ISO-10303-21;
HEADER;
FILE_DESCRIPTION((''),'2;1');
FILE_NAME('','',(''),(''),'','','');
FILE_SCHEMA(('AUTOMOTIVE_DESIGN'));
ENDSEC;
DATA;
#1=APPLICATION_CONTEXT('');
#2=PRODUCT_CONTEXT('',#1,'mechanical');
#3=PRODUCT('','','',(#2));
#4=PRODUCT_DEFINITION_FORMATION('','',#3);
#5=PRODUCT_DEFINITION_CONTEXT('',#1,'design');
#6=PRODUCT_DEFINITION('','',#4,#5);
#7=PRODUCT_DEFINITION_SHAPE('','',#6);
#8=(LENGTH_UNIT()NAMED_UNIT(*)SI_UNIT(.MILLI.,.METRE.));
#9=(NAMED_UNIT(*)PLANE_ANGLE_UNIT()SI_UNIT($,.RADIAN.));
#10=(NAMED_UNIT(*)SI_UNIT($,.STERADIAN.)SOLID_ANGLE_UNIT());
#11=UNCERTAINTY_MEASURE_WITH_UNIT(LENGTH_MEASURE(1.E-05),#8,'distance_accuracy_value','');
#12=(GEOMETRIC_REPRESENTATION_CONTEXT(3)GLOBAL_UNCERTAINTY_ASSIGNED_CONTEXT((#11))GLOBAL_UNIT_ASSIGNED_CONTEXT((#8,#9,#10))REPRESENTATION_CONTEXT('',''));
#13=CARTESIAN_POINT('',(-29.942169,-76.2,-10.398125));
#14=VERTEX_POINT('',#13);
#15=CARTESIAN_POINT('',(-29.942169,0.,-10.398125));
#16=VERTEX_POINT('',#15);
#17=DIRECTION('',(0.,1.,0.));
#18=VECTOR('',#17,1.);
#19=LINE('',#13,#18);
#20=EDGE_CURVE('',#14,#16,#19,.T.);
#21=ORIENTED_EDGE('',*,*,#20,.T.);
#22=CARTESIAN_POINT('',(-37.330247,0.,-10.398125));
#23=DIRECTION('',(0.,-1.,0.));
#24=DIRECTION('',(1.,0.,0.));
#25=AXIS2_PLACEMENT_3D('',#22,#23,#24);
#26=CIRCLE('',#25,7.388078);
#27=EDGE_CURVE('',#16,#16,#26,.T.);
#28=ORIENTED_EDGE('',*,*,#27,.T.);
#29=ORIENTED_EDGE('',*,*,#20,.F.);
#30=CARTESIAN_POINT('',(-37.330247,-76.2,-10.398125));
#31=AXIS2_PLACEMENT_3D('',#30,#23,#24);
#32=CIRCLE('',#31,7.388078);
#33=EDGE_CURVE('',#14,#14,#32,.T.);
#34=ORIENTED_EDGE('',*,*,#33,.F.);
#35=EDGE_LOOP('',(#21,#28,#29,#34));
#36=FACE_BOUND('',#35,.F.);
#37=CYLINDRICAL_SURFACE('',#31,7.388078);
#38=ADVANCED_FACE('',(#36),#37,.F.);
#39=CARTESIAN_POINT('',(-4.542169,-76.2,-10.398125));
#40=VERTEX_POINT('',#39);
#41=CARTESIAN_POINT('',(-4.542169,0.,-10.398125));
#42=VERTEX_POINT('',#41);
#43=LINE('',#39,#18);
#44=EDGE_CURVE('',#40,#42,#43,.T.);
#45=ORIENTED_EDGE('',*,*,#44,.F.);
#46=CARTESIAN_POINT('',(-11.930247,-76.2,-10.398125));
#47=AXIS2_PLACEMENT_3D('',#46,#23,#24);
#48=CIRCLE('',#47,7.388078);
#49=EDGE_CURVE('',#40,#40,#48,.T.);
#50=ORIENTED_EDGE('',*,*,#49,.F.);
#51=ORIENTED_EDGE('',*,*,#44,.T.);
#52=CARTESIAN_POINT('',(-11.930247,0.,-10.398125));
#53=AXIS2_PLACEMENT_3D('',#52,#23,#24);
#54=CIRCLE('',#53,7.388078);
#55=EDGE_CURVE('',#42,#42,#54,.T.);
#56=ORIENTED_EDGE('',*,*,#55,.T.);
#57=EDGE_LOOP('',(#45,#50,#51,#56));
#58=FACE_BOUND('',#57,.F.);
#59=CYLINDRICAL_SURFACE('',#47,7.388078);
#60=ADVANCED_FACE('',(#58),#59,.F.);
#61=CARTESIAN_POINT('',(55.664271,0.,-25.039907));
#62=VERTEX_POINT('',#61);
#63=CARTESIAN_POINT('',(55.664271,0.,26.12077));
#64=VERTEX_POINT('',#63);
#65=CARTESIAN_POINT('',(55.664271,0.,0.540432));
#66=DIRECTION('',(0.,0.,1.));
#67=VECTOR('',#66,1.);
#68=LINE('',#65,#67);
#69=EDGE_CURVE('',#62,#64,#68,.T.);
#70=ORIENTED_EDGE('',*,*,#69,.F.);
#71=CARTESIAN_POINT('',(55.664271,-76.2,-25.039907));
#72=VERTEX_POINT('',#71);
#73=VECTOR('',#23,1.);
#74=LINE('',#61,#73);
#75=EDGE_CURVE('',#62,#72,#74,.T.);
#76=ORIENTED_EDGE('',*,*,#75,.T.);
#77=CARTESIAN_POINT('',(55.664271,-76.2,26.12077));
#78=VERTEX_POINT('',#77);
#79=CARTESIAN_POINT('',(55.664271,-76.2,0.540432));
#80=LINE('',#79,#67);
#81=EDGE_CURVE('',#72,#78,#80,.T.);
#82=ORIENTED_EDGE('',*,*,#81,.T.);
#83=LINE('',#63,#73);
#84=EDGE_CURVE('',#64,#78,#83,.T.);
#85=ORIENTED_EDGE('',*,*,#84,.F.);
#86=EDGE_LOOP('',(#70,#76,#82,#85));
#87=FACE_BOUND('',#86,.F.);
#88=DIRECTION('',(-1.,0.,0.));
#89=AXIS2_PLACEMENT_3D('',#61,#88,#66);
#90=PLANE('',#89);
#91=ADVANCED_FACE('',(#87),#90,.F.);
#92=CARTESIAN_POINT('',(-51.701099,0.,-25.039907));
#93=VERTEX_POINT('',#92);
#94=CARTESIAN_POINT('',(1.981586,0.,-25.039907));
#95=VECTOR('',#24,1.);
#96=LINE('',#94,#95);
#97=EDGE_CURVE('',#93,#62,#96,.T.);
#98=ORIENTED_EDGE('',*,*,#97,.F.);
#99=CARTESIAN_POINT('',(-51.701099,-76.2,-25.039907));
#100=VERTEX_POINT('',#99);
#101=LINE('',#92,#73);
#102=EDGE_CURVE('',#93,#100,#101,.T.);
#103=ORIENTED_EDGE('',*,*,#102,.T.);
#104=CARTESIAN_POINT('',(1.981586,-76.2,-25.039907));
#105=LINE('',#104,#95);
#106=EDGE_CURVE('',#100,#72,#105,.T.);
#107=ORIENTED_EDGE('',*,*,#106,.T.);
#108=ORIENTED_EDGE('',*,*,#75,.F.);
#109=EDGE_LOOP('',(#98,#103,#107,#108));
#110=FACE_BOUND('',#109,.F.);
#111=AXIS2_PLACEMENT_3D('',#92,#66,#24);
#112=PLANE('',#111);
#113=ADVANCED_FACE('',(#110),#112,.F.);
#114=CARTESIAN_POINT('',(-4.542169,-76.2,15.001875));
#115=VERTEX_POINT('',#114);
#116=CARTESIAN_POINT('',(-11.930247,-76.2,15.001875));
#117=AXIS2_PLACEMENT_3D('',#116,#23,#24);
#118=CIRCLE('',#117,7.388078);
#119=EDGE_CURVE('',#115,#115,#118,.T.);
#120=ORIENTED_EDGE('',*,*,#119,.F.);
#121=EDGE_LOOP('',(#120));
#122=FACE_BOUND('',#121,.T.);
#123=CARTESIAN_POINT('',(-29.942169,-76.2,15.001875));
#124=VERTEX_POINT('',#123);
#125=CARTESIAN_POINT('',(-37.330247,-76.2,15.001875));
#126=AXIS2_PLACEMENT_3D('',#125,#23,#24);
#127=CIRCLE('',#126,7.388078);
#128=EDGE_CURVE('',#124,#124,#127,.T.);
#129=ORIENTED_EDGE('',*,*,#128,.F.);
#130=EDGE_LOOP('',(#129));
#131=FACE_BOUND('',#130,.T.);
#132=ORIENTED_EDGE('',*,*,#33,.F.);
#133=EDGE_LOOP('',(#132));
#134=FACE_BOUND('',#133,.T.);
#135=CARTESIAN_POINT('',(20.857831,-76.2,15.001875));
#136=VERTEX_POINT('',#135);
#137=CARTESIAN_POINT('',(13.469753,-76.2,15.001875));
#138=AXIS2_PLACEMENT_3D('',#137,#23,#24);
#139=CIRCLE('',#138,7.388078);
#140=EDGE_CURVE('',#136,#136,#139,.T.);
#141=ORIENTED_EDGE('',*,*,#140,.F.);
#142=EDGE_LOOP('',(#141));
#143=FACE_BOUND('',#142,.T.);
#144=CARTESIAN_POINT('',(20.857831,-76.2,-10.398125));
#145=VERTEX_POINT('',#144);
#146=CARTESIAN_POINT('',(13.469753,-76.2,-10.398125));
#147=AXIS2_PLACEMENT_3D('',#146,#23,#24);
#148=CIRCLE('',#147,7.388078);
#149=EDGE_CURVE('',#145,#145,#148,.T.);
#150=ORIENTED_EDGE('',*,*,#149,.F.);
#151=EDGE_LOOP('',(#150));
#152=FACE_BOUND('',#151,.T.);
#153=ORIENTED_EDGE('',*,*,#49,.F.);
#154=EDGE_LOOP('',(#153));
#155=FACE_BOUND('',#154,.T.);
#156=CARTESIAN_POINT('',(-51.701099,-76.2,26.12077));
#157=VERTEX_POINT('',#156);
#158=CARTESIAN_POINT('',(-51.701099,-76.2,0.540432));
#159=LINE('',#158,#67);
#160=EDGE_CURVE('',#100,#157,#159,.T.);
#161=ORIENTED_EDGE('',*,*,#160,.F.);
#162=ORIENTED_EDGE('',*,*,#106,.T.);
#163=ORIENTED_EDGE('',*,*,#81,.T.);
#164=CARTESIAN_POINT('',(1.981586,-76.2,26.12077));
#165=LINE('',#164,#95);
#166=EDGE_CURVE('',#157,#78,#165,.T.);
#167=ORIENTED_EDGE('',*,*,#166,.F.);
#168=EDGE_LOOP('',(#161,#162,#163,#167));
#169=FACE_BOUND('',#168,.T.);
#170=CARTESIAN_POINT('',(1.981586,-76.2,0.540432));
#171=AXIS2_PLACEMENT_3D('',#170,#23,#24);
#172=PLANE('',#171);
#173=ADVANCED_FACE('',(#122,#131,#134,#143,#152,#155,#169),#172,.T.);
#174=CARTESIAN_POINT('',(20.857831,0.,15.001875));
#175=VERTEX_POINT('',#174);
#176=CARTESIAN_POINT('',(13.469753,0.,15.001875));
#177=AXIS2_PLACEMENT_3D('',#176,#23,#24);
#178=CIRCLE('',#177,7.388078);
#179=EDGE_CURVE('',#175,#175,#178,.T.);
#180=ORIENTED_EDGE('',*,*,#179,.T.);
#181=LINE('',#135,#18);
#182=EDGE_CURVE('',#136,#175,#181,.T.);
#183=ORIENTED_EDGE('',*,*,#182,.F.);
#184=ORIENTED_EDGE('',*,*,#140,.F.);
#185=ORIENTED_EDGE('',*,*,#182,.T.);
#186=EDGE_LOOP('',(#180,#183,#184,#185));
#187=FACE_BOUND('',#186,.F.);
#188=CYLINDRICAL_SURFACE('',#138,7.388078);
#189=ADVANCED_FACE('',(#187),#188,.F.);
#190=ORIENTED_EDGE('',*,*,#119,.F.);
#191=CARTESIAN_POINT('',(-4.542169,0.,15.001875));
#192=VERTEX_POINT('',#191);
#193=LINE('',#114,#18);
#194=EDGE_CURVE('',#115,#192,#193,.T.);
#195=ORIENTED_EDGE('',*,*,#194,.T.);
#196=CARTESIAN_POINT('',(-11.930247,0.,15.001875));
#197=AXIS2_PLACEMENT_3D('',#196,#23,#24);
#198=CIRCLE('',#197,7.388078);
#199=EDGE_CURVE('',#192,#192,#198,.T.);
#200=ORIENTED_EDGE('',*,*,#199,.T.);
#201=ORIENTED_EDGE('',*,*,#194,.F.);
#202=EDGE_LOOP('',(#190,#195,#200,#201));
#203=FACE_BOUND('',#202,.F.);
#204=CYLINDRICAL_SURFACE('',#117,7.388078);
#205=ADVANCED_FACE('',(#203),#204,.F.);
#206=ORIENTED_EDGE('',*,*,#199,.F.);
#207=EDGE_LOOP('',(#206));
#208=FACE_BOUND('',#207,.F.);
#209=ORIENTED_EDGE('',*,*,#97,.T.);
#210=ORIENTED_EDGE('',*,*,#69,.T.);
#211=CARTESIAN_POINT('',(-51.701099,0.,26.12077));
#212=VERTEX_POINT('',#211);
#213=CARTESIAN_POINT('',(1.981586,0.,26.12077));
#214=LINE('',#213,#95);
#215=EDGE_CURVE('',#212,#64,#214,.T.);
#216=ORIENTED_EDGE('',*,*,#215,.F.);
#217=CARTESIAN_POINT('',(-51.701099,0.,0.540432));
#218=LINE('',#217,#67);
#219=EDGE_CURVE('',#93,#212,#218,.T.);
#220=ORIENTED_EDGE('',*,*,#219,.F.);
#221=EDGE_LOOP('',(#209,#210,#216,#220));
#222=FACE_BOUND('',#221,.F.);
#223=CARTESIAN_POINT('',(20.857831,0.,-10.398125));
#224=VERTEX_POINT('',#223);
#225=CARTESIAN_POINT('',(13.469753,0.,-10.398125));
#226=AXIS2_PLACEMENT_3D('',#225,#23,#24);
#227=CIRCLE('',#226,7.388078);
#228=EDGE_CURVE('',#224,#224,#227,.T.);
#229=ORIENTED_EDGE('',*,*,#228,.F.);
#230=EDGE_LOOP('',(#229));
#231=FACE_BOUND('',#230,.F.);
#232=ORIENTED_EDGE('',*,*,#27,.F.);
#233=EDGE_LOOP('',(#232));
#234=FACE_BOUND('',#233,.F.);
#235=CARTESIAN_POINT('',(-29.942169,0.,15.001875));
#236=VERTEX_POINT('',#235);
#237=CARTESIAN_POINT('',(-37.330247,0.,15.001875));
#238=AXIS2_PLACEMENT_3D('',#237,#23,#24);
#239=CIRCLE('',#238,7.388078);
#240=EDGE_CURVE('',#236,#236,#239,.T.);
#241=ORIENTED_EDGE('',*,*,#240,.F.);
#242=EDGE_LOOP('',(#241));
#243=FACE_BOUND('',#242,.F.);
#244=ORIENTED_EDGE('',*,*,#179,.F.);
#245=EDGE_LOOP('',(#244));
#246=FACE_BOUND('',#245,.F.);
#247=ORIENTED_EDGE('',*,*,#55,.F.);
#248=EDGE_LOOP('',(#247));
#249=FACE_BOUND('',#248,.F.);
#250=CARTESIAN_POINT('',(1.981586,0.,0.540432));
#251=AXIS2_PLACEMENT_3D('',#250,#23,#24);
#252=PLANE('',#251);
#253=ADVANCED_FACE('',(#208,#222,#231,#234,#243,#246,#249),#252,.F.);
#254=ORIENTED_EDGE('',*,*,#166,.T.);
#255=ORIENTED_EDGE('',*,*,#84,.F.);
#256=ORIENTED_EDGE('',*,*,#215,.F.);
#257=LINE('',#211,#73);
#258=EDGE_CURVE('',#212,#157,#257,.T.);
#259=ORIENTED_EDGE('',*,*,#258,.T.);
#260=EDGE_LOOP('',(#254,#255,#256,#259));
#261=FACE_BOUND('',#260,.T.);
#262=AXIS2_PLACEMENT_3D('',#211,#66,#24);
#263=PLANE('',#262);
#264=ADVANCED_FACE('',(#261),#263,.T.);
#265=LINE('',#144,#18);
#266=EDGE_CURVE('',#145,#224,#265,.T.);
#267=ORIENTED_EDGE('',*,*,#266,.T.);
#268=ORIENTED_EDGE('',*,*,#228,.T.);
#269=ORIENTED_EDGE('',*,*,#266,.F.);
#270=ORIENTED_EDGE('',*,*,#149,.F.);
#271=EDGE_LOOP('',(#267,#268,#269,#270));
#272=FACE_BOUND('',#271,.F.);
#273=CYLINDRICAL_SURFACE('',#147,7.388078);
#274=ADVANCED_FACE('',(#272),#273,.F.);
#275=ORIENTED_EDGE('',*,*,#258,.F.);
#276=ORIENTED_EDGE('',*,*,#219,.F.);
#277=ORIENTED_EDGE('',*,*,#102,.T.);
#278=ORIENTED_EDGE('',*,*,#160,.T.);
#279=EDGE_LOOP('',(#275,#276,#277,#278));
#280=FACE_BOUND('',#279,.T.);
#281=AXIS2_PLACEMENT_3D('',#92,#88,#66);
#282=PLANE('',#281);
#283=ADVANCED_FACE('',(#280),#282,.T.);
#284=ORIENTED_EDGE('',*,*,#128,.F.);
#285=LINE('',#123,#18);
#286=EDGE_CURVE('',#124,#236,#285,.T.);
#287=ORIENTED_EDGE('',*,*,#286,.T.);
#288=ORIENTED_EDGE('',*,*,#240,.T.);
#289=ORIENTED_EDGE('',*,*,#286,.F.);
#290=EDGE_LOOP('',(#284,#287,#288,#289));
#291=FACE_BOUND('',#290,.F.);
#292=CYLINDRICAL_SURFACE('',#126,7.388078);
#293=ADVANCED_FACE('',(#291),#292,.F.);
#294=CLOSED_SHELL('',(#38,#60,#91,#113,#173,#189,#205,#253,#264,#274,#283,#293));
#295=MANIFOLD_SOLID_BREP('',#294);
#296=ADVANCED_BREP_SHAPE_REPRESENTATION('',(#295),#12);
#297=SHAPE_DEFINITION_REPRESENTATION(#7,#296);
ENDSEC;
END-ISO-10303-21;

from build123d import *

# Parameters (mm, degrees)
F0_W     = 107.36537
F0_H     = 51.160677
F1_DEPTH = 76.2
F3_R     = 7.388078
F4_DEPTH = 84.074


with BuildPart() as f1:
    # F0 (on Front) → F1 (new body)
    with BuildSketch(Plane.XZ):
        with Locations((1.981586, 0.540432)):
            Rectangle(F0_W, F0_H)
    extrude(amount=F1_DEPTH)

    # F3 (on face) → F4 (cut)
    with BuildSketch(Plane.XZ.offset(76.2)):
        with Locations((-37.330247, 15.001875)):
            Circle(F3_R)
        with Locations((-37.330247, -10.398125)):
            Circle(F3_R)
        with Locations((-11.930247, 15.001875)):
            Circle(F3_R)
        with Locations((-11.930247, -10.398125)):
            Circle(F3_R)
        with Locations((13.469753, 15.001875)):
            Circle(F3_R)
        with Locations((13.469753, -10.398125)):
            Circle(F3_R)
    extrude(amount=-F4_DEPTH, mode=Mode.SUBTRACT)


solid = f1.part
